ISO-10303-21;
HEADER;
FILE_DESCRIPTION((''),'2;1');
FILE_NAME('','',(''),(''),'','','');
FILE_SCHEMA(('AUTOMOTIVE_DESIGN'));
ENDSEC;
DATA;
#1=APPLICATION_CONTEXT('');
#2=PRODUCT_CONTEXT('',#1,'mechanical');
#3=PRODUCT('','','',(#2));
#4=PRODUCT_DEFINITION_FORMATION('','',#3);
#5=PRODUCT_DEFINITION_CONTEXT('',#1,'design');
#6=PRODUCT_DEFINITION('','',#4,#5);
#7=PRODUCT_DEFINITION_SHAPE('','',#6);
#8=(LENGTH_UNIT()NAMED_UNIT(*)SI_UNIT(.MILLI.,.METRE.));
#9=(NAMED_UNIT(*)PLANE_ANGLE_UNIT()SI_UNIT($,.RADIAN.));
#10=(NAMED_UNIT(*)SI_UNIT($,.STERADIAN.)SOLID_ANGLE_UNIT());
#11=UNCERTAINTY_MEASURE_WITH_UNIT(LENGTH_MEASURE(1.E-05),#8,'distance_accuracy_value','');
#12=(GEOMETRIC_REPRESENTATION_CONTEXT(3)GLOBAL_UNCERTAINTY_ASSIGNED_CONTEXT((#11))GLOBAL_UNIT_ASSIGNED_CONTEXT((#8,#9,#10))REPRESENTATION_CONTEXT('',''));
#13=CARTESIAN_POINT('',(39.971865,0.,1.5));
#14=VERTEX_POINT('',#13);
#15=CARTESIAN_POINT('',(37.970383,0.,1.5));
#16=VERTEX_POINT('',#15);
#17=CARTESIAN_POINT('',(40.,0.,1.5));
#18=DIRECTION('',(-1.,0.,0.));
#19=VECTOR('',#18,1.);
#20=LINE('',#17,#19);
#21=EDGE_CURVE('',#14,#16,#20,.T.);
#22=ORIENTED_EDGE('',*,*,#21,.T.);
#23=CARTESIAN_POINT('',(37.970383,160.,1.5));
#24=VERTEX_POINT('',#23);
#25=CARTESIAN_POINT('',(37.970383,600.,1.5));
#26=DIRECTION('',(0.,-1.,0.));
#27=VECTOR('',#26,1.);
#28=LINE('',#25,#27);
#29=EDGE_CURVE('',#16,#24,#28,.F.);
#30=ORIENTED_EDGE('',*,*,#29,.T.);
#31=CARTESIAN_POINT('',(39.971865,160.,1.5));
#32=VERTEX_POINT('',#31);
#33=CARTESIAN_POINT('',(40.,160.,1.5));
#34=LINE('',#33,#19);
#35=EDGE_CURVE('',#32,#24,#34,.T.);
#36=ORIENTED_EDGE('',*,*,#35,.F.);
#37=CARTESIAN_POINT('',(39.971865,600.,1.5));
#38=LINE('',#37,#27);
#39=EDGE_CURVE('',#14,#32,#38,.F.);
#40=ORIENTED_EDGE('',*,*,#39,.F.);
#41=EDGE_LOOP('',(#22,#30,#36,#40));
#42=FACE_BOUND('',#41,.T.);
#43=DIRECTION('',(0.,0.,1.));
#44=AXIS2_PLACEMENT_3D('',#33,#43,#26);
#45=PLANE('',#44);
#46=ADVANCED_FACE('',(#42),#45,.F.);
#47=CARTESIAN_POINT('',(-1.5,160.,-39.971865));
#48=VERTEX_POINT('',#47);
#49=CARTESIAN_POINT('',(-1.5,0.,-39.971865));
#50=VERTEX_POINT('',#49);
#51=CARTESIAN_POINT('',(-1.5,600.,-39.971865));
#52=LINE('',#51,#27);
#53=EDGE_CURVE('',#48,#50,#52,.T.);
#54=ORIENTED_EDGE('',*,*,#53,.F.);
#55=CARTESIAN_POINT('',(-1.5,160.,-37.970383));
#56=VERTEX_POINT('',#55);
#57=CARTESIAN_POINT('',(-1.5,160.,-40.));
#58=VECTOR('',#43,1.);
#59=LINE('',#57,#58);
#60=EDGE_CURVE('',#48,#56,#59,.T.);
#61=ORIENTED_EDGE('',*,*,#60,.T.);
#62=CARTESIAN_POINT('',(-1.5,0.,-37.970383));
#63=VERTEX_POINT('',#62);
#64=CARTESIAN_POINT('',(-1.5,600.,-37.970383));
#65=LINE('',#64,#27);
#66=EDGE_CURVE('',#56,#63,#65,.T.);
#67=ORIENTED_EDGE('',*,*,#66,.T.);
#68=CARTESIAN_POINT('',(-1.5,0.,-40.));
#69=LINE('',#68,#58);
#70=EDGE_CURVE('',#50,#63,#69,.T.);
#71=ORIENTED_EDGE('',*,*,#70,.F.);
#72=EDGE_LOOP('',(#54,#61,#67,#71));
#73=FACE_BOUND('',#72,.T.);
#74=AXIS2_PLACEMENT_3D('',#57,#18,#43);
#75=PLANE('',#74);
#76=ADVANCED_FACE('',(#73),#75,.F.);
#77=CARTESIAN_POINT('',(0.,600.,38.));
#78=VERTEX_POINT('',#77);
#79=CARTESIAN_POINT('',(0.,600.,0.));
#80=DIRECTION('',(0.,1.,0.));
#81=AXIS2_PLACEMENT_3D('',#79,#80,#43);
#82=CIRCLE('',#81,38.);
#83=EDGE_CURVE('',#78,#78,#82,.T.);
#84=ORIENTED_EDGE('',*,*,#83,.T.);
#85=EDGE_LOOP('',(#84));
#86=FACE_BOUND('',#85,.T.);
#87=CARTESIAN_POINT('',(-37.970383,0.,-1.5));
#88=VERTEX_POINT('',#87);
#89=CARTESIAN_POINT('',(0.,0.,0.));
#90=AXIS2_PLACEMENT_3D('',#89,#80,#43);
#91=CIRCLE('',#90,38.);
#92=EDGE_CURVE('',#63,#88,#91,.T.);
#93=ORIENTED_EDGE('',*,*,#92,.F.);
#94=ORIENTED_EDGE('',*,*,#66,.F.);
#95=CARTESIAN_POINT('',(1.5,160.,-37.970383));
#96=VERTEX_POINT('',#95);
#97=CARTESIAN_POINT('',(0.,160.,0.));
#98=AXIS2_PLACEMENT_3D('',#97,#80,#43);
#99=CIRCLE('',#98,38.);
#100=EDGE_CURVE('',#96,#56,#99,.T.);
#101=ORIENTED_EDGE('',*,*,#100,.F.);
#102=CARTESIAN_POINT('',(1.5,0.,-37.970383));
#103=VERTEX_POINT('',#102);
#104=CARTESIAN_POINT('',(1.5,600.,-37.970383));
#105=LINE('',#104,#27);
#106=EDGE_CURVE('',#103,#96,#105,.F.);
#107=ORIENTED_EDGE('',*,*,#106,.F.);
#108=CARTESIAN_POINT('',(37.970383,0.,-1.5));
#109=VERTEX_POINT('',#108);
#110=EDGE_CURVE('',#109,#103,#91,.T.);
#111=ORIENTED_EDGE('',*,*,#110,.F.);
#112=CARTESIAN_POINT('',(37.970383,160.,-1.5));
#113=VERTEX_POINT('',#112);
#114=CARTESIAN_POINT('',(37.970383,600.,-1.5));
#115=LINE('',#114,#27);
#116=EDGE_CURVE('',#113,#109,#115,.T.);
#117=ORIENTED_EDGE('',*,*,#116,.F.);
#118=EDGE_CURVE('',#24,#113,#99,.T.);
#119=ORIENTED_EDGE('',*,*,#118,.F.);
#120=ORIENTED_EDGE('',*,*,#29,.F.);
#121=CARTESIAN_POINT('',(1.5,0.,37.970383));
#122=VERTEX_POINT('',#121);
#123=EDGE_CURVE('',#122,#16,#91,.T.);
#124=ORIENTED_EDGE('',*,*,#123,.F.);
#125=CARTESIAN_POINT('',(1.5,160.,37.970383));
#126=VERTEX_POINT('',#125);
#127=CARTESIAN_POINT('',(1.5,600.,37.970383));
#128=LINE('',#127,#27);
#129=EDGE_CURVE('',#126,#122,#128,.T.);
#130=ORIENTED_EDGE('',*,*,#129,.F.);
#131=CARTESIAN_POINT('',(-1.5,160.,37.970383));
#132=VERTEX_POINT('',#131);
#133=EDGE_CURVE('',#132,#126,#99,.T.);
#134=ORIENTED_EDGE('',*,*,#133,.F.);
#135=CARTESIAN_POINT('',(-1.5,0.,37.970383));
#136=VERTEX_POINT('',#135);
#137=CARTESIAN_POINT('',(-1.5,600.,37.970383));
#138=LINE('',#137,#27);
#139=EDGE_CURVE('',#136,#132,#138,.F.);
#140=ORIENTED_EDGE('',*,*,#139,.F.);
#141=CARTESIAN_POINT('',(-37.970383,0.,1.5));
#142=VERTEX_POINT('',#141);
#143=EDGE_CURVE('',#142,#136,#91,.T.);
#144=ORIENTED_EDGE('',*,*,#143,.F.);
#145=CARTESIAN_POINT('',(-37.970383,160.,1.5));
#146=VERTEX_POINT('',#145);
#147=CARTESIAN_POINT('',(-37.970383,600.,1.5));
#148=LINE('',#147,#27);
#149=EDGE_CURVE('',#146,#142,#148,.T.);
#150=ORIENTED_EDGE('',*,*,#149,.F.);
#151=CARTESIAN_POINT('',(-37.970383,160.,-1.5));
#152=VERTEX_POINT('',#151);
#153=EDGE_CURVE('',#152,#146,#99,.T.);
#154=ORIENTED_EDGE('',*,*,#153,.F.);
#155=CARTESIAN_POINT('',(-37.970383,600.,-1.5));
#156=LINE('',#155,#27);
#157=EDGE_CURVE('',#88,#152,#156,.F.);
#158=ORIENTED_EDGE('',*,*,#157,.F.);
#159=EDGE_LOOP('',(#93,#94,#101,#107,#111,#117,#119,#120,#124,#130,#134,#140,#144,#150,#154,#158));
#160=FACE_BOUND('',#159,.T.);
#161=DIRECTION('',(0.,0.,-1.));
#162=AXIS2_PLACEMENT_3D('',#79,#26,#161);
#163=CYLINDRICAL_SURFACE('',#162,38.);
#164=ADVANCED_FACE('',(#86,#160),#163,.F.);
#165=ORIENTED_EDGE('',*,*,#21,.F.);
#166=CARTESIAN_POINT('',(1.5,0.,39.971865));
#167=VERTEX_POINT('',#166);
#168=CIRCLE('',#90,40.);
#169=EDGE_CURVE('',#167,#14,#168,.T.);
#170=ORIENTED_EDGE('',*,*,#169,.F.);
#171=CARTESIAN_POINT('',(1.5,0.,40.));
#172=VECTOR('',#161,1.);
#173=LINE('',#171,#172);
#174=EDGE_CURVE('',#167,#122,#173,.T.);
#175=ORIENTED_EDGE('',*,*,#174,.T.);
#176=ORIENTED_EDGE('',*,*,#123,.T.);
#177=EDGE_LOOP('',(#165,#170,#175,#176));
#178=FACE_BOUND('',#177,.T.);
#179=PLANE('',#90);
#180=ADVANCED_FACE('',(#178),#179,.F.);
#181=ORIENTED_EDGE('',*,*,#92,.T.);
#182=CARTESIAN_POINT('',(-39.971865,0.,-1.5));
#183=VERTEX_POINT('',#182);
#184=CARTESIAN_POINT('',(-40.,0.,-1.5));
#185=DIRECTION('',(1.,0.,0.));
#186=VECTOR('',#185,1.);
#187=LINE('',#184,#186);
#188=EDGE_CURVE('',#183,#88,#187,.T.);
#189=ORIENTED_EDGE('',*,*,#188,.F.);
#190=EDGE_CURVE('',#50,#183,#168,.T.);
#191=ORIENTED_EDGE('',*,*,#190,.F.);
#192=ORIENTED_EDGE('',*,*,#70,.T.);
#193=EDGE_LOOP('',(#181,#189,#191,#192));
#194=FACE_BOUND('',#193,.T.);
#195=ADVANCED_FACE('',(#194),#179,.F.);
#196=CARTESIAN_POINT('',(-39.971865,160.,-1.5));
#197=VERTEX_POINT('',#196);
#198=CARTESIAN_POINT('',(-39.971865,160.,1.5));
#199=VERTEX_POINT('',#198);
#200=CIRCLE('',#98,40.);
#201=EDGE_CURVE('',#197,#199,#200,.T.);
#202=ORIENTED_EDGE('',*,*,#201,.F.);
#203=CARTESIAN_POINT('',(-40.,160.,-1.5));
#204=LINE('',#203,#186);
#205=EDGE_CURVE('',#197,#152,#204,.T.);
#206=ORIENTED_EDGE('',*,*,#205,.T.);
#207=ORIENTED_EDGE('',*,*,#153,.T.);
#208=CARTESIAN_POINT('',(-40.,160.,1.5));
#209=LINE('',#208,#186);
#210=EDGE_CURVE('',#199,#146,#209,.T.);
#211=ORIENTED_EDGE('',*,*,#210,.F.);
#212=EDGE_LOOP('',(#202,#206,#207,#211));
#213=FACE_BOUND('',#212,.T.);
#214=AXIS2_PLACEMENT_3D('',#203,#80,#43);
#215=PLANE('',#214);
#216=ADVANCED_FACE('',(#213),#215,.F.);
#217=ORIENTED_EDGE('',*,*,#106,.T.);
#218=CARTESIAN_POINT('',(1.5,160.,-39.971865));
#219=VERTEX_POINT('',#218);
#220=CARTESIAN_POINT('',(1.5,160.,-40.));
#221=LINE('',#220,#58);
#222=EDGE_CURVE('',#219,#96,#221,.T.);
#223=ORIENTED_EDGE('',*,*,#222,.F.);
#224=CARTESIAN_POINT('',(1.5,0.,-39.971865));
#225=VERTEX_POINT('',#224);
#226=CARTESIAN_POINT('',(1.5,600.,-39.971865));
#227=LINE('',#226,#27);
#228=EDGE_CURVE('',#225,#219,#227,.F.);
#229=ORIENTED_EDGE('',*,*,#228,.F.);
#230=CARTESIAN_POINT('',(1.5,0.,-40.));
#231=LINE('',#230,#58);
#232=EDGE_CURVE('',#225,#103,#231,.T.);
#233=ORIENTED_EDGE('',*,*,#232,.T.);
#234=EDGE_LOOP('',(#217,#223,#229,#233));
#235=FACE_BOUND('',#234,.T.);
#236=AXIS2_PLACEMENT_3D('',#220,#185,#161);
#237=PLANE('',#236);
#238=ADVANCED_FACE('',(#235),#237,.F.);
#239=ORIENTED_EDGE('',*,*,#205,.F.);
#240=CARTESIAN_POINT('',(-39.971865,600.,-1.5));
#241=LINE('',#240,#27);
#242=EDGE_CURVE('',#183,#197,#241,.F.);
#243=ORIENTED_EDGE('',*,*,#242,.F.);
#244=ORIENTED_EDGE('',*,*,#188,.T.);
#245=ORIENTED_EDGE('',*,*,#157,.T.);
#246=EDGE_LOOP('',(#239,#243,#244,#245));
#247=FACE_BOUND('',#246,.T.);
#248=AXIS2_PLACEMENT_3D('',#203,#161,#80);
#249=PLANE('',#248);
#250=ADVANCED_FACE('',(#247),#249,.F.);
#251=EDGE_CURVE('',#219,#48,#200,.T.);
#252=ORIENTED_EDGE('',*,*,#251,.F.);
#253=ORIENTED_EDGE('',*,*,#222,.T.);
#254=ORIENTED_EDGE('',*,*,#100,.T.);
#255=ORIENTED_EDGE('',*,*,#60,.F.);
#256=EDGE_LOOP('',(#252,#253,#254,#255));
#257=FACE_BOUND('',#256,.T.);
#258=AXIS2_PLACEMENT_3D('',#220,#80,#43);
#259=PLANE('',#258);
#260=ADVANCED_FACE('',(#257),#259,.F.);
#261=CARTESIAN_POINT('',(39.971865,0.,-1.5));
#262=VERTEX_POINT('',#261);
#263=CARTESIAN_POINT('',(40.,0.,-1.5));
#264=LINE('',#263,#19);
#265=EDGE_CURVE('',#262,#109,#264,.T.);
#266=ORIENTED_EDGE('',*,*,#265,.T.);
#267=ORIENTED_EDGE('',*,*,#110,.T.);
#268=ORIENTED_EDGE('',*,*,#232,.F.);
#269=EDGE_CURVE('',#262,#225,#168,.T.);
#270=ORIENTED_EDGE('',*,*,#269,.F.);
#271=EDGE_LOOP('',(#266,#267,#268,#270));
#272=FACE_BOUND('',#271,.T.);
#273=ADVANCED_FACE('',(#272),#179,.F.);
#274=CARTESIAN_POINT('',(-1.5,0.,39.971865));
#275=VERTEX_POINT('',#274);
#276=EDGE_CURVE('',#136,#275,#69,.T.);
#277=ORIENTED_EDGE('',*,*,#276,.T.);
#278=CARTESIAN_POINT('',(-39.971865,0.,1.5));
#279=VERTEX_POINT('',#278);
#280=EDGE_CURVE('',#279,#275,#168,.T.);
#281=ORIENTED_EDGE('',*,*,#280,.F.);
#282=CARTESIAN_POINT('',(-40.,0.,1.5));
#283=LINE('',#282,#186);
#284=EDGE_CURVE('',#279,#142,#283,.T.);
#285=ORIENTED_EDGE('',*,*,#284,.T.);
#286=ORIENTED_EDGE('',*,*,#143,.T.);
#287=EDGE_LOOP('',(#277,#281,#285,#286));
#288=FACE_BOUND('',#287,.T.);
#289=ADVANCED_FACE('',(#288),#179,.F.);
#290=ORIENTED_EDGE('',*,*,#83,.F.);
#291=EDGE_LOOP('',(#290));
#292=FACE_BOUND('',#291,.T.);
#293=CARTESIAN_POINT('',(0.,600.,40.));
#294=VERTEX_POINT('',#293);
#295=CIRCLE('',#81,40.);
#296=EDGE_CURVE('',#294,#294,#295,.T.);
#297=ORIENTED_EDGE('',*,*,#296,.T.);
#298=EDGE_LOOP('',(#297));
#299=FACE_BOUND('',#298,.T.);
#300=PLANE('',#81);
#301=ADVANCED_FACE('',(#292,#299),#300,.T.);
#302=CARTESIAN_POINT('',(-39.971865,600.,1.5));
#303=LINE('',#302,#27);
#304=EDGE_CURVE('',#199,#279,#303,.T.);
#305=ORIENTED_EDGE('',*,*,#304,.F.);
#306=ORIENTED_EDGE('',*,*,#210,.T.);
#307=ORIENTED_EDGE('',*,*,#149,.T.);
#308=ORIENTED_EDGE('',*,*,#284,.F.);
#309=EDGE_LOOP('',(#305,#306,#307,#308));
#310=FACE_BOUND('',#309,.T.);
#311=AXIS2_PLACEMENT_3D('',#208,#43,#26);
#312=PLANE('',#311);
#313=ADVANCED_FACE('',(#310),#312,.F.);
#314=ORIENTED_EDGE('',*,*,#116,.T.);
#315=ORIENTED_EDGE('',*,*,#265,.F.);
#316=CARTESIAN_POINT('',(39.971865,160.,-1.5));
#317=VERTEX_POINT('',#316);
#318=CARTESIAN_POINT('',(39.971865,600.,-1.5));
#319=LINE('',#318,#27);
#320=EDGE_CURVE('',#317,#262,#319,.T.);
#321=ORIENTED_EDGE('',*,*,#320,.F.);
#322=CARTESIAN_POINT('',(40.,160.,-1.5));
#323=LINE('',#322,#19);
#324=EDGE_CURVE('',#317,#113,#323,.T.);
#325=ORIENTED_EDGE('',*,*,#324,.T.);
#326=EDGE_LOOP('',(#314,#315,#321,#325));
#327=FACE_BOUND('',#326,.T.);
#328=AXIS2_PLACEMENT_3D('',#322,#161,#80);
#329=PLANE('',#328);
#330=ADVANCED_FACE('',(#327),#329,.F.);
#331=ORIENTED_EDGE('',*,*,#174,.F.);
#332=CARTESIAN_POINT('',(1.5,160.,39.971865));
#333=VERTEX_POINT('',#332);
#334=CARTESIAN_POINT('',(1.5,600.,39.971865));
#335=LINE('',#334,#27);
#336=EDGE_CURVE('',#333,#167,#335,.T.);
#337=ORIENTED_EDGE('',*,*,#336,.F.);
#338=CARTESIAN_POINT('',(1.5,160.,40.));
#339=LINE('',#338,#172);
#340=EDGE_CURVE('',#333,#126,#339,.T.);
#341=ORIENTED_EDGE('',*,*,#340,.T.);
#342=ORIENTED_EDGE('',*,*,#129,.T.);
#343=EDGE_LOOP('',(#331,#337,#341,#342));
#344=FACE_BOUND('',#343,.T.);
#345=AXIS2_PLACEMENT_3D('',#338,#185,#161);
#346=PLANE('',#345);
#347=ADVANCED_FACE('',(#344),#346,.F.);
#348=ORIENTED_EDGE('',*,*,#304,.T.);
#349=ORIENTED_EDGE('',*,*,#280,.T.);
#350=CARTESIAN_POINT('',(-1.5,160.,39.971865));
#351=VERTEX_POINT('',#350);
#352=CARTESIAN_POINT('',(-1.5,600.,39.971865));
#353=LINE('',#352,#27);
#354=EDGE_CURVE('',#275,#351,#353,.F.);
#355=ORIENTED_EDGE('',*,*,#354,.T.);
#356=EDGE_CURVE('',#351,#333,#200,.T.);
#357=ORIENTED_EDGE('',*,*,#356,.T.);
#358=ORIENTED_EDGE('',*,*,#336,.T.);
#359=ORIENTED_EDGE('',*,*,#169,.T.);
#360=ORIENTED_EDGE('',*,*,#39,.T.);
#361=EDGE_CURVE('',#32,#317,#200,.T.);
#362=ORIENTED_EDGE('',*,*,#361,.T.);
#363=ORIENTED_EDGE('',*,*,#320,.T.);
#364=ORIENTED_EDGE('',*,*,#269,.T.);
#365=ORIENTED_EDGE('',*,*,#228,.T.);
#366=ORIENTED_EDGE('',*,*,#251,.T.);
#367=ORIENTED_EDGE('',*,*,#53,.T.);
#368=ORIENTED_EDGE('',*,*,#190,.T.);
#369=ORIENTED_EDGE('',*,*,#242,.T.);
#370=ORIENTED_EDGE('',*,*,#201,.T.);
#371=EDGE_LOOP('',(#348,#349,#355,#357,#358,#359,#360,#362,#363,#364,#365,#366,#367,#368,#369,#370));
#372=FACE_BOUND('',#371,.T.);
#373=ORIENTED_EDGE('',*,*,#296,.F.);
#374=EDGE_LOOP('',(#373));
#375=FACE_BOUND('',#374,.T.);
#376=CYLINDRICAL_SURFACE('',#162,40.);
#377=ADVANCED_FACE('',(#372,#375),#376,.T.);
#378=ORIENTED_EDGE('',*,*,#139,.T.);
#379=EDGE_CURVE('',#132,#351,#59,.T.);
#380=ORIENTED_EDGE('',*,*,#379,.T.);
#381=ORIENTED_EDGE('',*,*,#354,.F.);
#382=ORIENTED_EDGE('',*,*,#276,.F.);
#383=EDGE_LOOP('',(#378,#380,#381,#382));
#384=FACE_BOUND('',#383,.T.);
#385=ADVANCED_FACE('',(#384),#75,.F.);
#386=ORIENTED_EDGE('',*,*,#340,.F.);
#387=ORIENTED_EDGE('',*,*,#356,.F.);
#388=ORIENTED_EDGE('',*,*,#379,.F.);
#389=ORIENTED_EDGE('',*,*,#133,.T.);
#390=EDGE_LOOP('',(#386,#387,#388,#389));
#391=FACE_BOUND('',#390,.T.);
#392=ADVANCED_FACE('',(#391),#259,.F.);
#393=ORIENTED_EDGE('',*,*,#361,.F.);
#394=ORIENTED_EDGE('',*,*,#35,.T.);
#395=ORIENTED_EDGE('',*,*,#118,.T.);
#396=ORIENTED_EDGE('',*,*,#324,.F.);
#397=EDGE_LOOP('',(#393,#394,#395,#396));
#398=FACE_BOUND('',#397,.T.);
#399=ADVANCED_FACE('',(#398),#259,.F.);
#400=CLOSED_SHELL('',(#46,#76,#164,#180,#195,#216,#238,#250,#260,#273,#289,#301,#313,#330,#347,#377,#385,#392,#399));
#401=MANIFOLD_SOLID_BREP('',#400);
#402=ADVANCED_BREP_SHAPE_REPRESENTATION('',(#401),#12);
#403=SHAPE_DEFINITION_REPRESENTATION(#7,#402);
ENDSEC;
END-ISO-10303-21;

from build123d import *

# Parameters (mm, degrees)
SKETCH1_R           = 40
SKETCH1_R_2         = 38
BOSS_EXTRUDE1_DEPTH = 600
SKETCH2_W           = 3
SKETCH2_H           = 160
CUT_EXTRUDE1_DEPTH  = 603.660766933
CIRPATTERN1_COUNT   = 4


with BuildPart() as part:
    # Sketch1 → Boss-Extrude1 (new body)
    with BuildSketch(Plane(origin=(0, 0, 0), x_dir=(1, 0, 0), z_dir=(0, 1, 0))):
        with Locations(Location((0, 0, 0), (0, 0, 270))):
            Circle(SKETCH1_R)
        with Locations(Location((0, 0, 0), (0, 0, 270))):
            Circle(SKETCH1_R_2, mode=Mode.SUBTRACT)
    extrude(amount=BOSS_EXTRUDE1_DEPTH)

    # Sketch2 → Cut-Extrude1 (cut, through all)
    with BuildSketch(Plane(origin=(0, 0, 0), x_dir=(0, 0, -1), z_dir=(1, 0, 0))):
        with Locations((0, 80)):
            Rectangle(SKETCH2_W, SKETCH2_H)
    cut_extrude1 = extrude(amount=-CUT_EXTRUDE1_DEPTH, mode=Mode.SUBTRACT)

    # CirPattern1: Cut-Extrude1 ×4 about axis
    cirpattern1_axis = Axis((0, 0, 0), (0, 1, 0))
    for i in range(1, CIRPATTERN1_COUNT):
        add(cut_extrude1.rotate(cirpattern1_axis, i * 360 / CIRPATTERN1_COUNT), mode=Mode.SUBTRACT)


solid = part.part
